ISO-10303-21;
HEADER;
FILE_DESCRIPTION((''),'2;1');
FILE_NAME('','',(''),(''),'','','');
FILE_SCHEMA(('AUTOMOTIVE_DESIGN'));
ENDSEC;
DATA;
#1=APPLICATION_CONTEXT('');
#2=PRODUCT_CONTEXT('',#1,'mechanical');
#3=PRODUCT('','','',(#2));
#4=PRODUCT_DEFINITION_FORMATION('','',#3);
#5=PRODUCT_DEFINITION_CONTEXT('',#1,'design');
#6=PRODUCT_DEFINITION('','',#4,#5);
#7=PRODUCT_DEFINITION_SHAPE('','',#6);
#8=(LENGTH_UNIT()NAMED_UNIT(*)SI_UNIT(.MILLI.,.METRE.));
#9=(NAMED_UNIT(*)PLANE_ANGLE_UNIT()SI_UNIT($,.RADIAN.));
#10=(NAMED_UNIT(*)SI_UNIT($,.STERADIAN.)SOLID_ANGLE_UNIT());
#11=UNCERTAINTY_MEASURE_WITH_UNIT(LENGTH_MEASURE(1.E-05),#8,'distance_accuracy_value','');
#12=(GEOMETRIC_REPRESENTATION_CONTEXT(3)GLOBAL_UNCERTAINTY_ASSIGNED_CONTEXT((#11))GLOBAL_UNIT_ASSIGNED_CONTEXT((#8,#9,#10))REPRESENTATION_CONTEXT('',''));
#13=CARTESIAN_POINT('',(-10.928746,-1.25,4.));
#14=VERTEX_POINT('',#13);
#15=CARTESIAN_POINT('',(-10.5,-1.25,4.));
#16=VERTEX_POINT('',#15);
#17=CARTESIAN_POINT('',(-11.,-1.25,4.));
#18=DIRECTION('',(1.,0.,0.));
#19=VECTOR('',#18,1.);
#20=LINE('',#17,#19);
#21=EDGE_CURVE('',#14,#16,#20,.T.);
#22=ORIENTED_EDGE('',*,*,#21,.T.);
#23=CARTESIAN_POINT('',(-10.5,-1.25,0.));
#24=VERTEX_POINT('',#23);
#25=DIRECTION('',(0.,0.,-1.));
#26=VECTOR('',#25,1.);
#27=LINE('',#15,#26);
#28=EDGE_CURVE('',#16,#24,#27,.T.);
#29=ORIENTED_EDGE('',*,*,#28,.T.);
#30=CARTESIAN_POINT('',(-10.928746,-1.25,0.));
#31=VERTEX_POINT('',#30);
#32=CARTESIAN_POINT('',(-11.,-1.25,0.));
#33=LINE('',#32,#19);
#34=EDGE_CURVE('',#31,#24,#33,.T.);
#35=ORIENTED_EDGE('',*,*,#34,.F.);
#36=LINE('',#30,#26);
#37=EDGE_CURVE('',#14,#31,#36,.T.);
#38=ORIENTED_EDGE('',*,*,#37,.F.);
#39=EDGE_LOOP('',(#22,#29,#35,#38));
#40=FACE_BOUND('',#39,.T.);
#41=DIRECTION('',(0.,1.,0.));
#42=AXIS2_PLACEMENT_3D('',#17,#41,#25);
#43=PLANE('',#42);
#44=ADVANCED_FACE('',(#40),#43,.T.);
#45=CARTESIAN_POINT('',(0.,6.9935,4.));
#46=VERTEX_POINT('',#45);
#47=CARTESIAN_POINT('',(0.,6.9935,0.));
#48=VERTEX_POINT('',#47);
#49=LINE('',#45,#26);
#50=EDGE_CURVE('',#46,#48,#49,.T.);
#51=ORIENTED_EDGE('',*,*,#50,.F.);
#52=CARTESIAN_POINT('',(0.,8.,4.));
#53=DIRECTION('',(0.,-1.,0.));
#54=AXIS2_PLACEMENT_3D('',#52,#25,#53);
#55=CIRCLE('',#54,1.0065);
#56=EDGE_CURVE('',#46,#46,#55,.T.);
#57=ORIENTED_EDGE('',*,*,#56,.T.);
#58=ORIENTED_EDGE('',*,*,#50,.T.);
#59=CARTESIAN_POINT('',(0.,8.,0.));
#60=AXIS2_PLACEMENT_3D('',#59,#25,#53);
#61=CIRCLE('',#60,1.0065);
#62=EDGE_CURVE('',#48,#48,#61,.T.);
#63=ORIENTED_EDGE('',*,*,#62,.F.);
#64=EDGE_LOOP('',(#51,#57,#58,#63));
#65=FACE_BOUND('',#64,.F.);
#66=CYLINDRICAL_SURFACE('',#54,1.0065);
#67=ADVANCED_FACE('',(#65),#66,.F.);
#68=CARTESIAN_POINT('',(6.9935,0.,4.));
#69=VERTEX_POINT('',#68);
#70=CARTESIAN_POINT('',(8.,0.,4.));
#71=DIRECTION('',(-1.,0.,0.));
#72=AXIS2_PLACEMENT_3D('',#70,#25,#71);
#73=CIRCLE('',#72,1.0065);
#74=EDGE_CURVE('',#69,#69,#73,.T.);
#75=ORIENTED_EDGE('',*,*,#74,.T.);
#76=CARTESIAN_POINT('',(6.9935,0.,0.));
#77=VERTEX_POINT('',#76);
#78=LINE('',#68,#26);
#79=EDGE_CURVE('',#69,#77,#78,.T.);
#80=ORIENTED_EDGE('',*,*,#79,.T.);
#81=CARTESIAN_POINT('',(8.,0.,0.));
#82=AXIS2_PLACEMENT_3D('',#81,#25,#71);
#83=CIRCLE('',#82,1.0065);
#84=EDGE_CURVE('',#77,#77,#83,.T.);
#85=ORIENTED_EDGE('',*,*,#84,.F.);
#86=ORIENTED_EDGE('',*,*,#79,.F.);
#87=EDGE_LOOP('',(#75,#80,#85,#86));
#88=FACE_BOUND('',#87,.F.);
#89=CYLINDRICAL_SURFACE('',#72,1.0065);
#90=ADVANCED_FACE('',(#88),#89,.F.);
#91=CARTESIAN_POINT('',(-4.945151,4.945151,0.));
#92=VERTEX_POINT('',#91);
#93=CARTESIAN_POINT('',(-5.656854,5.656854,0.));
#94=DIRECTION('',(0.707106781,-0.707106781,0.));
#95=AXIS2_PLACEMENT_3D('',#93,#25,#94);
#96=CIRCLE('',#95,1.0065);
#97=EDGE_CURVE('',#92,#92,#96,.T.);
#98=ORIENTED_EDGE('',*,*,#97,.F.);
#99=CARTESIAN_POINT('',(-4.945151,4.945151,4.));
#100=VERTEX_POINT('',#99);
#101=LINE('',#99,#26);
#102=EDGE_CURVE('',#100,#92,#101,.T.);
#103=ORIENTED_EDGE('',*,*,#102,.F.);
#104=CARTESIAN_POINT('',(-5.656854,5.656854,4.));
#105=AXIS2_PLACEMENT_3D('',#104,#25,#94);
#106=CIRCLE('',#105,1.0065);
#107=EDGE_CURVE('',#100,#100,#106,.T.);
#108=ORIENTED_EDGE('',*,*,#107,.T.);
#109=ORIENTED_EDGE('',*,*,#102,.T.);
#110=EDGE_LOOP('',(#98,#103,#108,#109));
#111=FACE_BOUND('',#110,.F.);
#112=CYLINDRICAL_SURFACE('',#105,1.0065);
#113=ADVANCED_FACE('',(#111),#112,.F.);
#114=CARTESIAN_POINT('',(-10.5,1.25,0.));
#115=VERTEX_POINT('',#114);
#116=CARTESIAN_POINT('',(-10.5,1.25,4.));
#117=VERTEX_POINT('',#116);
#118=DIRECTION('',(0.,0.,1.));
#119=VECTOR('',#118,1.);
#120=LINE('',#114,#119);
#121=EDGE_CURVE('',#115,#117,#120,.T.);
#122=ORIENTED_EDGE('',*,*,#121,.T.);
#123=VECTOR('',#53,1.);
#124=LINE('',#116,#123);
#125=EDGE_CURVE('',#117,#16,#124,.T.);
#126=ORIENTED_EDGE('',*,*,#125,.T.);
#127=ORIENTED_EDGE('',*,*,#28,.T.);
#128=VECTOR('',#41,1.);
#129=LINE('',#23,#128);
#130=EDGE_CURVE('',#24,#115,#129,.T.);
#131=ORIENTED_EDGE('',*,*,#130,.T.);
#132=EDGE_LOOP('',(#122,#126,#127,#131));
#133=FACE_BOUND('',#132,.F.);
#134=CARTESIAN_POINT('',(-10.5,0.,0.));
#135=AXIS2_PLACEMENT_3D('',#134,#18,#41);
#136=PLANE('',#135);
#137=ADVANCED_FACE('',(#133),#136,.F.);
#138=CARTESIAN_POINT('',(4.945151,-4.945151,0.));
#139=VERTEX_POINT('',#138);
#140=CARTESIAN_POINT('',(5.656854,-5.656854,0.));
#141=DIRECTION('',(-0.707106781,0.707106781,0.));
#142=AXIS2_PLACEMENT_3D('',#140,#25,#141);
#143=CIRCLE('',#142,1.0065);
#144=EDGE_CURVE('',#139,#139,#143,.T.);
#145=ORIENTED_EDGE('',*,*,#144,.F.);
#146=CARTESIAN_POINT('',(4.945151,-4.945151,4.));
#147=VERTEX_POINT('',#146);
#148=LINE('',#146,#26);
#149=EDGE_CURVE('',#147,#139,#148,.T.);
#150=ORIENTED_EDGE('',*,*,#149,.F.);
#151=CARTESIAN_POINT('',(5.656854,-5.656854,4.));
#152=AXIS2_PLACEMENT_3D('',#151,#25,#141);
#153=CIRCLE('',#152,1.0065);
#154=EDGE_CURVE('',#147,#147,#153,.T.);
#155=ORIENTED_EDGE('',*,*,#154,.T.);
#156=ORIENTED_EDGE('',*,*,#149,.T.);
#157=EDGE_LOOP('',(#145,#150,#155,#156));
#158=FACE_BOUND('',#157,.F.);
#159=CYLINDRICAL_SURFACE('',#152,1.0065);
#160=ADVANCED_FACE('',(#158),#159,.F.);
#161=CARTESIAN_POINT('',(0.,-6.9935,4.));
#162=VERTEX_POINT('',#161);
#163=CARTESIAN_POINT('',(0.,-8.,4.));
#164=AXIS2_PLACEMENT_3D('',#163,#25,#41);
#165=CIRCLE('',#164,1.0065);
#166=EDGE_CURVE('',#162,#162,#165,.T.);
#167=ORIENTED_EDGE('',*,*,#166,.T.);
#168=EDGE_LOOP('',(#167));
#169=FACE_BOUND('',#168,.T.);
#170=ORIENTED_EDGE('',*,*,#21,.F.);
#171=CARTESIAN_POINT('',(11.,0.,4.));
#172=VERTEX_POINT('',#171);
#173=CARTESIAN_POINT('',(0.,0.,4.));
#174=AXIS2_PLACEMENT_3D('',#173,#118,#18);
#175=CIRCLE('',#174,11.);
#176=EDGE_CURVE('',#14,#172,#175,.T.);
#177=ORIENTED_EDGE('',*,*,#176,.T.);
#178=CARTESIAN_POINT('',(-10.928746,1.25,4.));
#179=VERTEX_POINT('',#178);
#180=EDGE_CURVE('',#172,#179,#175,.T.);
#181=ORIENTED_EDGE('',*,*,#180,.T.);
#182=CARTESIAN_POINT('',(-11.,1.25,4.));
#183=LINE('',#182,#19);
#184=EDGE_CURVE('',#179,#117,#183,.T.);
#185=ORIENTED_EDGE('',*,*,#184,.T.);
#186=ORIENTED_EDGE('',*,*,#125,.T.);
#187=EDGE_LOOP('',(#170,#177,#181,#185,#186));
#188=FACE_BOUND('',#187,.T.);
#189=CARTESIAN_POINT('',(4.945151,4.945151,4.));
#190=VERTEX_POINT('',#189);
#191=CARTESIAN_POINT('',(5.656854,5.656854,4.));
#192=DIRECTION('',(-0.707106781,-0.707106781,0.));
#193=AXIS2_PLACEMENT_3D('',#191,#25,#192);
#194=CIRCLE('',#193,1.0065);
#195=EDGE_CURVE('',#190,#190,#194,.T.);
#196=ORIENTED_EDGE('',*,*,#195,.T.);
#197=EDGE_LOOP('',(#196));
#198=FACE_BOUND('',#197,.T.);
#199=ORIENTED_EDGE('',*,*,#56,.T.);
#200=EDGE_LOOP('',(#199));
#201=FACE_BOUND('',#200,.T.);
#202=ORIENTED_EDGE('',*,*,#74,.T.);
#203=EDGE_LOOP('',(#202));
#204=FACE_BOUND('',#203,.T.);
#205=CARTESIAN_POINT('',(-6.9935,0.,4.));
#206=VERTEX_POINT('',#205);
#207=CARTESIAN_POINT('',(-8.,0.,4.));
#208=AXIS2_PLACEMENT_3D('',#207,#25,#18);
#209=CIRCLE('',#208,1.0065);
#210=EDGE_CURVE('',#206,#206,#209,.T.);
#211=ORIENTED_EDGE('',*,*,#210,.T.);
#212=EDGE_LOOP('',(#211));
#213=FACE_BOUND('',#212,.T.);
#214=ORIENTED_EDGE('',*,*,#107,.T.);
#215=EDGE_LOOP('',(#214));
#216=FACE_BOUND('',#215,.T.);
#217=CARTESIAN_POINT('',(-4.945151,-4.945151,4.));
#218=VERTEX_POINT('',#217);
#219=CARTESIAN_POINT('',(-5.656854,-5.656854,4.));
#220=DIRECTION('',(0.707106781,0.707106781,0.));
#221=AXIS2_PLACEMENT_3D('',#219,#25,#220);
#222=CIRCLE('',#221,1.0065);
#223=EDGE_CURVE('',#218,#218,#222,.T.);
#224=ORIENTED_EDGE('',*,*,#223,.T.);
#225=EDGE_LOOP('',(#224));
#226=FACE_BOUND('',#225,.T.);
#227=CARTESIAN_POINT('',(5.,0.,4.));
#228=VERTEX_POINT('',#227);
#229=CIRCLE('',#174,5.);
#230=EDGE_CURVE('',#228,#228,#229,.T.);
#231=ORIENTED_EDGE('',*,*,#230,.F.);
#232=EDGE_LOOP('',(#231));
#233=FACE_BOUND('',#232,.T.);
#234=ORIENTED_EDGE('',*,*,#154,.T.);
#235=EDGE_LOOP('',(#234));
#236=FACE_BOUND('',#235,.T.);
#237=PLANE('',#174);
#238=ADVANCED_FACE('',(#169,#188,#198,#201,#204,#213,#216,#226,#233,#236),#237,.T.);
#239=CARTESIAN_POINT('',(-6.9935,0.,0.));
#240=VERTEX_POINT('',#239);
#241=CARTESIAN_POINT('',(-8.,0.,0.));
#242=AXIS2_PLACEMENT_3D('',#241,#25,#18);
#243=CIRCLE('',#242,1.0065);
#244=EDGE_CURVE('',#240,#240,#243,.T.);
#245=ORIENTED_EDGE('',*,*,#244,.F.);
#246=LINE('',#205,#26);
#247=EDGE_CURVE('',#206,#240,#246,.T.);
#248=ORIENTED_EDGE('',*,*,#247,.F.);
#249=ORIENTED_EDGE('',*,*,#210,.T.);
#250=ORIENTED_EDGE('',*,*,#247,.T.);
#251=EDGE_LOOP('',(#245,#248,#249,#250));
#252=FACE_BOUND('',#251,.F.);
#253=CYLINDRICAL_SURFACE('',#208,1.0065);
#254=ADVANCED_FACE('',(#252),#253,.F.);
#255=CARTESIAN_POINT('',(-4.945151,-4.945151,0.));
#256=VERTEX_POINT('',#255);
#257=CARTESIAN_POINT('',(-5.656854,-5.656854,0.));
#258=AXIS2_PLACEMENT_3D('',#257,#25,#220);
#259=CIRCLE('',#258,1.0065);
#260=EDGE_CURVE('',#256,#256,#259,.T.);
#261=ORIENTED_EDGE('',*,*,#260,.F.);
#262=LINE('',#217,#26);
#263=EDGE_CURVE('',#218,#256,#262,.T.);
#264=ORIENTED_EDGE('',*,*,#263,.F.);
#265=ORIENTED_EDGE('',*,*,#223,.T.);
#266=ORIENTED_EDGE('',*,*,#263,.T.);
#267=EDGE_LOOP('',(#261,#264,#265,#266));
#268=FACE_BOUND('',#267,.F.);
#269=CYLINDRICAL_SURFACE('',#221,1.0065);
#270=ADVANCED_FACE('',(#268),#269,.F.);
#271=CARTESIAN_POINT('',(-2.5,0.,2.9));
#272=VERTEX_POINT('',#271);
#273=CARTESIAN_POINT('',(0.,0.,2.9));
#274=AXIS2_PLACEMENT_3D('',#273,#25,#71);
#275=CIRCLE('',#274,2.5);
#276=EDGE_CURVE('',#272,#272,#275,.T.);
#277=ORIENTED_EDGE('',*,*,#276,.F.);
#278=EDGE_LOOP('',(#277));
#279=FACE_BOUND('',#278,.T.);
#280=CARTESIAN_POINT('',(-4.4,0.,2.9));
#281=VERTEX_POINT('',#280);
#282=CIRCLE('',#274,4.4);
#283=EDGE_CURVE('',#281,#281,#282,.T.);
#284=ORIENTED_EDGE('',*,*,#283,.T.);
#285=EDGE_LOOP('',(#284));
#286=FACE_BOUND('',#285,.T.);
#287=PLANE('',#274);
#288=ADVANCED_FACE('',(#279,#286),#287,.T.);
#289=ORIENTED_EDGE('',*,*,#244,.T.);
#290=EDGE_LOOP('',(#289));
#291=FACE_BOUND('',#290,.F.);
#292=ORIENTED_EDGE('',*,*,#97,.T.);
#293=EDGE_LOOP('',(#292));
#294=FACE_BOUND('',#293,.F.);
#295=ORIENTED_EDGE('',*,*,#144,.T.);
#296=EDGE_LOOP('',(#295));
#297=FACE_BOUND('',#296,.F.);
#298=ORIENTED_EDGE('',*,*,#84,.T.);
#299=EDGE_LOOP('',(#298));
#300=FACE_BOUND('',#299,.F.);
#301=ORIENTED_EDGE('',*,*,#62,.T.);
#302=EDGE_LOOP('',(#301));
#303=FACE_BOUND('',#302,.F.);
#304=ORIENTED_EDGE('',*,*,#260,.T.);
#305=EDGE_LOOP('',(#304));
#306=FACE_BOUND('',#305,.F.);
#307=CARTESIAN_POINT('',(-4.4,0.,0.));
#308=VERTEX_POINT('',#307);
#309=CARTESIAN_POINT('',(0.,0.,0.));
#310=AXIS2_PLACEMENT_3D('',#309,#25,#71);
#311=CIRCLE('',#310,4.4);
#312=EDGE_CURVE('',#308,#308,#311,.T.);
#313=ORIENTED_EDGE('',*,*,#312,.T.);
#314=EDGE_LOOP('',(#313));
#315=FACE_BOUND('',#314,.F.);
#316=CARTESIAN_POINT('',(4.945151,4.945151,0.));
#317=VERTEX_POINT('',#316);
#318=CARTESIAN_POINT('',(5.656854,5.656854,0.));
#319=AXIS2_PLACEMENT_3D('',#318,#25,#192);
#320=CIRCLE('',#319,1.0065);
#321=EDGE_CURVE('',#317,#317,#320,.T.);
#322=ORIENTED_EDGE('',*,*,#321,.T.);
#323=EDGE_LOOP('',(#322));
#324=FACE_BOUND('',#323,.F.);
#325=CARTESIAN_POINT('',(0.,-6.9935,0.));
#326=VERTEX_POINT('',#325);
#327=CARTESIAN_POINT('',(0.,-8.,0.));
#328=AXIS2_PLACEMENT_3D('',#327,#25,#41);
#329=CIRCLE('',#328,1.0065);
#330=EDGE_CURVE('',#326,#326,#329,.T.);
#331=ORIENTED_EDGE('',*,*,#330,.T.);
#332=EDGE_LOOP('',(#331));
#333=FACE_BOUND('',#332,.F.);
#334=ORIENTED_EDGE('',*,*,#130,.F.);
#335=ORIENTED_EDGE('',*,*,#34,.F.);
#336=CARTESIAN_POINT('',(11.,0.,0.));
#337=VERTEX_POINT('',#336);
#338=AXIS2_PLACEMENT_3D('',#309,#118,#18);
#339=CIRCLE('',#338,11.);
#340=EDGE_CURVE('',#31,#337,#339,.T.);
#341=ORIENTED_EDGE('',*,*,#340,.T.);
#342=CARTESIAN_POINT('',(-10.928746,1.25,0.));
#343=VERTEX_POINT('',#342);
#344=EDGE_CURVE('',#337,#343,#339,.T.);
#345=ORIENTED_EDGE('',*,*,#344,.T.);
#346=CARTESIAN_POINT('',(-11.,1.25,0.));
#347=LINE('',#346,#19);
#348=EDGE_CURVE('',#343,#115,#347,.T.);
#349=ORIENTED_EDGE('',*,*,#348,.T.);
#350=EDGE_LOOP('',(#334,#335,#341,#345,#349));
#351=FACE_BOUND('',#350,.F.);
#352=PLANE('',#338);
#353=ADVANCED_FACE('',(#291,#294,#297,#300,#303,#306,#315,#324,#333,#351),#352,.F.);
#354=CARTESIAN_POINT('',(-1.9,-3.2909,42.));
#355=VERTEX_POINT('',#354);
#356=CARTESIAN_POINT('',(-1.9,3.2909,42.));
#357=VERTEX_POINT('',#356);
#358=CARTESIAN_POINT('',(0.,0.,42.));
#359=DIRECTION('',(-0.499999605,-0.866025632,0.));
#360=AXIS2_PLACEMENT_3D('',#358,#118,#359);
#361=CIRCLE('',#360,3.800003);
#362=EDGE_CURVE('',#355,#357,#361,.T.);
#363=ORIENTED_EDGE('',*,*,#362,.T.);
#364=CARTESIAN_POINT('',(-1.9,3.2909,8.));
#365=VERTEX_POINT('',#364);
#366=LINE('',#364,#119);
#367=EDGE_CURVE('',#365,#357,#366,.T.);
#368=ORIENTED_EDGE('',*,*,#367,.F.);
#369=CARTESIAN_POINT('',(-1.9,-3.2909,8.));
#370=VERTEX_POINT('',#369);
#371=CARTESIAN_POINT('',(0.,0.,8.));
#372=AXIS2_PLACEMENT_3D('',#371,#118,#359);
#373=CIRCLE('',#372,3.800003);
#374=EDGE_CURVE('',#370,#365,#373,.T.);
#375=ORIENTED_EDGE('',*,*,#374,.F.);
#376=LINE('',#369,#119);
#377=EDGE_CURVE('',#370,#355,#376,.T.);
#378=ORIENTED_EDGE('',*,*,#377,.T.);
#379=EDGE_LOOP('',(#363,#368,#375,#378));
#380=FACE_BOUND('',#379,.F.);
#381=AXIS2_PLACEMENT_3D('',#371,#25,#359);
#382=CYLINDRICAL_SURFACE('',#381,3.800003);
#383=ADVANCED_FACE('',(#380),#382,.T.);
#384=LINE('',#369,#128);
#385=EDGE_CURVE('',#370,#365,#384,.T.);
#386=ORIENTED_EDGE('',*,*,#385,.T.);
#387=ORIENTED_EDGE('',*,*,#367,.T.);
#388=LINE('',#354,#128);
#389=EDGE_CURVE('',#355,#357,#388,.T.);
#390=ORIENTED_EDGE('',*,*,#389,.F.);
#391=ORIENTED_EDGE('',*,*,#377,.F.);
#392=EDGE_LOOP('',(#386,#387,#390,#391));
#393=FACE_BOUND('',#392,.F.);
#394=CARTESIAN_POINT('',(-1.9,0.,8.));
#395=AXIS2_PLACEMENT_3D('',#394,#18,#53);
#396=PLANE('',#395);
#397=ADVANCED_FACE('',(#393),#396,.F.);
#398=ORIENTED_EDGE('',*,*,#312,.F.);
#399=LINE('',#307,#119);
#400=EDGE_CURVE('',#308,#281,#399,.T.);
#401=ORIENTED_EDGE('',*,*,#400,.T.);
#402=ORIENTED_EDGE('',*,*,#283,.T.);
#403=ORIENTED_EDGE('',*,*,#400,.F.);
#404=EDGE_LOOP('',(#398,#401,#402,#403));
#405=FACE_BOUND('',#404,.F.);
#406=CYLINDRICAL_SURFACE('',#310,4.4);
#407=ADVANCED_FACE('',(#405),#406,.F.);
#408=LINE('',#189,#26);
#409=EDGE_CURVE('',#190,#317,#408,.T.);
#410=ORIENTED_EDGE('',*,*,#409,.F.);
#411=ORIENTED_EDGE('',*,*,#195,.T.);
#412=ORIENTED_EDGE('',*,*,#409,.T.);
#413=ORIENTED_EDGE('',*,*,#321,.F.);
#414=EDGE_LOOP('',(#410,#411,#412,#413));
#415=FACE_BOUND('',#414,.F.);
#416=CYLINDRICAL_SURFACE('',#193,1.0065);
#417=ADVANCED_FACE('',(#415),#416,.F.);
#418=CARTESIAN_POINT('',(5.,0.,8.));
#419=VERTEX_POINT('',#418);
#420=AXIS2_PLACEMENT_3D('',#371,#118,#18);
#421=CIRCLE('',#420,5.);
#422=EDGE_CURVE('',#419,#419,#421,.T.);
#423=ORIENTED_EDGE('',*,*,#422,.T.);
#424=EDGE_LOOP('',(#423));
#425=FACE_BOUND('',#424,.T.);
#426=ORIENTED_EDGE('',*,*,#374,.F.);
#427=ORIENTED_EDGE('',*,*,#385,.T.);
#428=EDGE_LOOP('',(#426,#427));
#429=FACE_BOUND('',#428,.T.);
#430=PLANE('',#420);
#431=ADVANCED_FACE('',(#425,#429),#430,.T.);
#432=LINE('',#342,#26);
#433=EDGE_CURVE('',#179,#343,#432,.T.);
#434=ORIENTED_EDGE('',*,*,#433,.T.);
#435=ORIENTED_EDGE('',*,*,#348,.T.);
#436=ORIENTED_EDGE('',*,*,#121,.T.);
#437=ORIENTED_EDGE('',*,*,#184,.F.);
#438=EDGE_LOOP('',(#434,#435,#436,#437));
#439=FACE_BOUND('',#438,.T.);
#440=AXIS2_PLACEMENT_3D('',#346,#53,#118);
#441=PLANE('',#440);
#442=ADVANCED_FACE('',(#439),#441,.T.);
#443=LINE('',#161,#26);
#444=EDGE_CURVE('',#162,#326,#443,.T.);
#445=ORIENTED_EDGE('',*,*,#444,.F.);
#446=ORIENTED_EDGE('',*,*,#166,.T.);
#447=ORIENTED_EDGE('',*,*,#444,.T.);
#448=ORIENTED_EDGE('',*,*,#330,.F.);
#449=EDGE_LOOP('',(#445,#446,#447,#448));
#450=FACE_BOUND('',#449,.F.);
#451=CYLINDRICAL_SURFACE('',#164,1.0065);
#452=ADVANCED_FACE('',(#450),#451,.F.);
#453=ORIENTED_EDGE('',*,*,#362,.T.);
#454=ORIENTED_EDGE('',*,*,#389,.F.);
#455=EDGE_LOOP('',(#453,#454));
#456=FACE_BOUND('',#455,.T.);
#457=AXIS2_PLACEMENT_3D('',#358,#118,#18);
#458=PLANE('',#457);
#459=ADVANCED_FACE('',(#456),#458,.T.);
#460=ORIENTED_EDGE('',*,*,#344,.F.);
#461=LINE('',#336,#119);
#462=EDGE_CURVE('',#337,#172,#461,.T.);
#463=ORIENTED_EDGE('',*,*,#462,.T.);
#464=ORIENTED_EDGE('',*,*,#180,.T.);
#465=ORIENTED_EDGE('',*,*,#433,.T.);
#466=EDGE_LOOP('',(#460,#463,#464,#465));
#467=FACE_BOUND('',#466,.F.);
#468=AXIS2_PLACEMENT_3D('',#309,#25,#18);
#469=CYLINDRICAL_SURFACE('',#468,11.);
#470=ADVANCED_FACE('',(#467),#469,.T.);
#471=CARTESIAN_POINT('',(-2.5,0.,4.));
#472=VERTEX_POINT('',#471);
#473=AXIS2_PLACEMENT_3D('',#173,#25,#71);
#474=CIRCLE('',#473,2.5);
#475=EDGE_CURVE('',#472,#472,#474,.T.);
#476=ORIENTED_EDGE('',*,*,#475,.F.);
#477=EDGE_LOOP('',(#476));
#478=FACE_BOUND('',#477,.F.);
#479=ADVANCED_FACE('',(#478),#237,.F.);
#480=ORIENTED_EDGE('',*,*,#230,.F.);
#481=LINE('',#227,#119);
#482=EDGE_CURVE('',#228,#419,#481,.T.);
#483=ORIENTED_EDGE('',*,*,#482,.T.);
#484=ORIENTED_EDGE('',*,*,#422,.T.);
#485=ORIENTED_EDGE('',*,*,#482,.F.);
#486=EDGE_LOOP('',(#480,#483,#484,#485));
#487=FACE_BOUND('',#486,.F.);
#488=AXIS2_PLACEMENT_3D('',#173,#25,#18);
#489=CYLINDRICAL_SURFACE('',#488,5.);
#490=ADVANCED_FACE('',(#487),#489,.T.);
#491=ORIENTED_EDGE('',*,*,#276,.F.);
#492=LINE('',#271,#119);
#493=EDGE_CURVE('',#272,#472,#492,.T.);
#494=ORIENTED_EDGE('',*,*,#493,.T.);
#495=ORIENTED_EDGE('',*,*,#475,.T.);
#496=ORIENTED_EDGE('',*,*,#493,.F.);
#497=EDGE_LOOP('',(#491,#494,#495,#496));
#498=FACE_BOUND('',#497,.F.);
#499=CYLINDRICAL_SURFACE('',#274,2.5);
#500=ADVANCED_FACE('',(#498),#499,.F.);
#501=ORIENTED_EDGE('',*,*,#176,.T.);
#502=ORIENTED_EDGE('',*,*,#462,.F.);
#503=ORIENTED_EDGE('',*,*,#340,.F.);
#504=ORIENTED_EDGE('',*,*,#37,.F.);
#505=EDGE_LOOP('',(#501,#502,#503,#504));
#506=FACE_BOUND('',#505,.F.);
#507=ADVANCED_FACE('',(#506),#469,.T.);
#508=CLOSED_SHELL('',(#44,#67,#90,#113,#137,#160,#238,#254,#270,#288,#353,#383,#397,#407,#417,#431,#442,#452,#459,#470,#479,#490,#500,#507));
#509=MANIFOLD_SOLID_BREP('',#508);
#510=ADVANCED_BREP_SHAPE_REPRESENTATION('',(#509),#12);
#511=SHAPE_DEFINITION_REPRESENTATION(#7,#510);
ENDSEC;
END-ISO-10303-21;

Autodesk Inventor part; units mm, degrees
ref_plane "XY Plane" through (0, 0, 0) normal (0, 0, 1) x (1, 0, 0)
sketch "Boceto1" plane through (0, 0, 0) normal (0, 0, 1) x (1, 0, 0)
  circle A0 centre (0, 0) radius 11
  dimension "d0" = 22
extrude "Extrusión1" add sketch "Boceto1" along normal blind 4
sketch "Boceto2" plane through (0, 0, 4) normal (0, 0, 1) x (1, 0, 0)
  line L0 (0, 0) -> (0, 8)
  circle A0 centre (0, 8) radius 1
  dimension "d3" = 8
  dimension "d4" = 2
hole "Agujero1" at (0, 8, 4) direction (0, 0, -1) diameter 2.013 end through all thread size "M2.5x0.45" class "6H" standard "ISO Metric profile"
pattern_circular "Patrón circular1" count 8 over 360 about axis through (0, 0, 0) along (0, 0, 1) of "Agujero1"
sketch "Boceto3" plane through (0, 0, 0) normal (0, 0, -1) x (-1, 0, 0)
  circle A0 centre (0, 0) radius 4.4
  dimension "d15" = 8.8
extrude "Extrusión2" cut sketch "Boceto3" against normal blind 2.9
sketch "Boceto4" plane through (0, 0, 2.9) normal (0, 0, -1) x (-1, 0, 0)
  circle A0 centre (0, 0) radius 2.5
  dimension "d18" = 5
extrude "Extrusión3" cut sketch "Boceto4" against normal blind 2.6
sketch "Boceto5" plane through (0, 0, 4) normal (0, 0, 1) x (1, 0, 0)
  circle A0 centre (0, 0) radius 5
  dimension "d21" = 10
extrude "Extrusión4" add sketch "Boceto5" along normal blind 4
sketch "Boceto6" plane through (0, 0, 8) normal (0, 0, 1) x (1, 0, 0)
  arc A0 (-1.9, -3.2909) -> (-1.9, 3.2909) centre (0, 0) ccw
  line L0 (0, 0) -> (-1.9, 0)
  line L1 (-1.9, 0) -> (-1.9, 3.2909)
  line L2 (-1.9, 0) -> (-1.9, -3.2909)
  dimension "DiametroEje" = 7.6
  dimension "d26" = 1.9
extrude "Extrusión5" add sketch "Boceto6" along normal blind 34
ref_plane "Plano de trabajo1" through (0, 11, 0) normal (0, 1, 0) x (-1, 0, 0)
ref_plane "Plano de trabajo2" through (-11, 0, 0) normal (1, 0, 0) x (0, 1, 0)
sketch "Boceto8" plane through (-11, 0, 0) normal (1, 0, 0) x (0, 1, 0)
  line L0 (-1.25, 0) -> (1.25, 0)
  line L1 (1.25, 0) -> (1.25, 4)
  line L2 (1.25, 4) -> (-1.25, 4)
  line L3 (-1.25, 4) -> (-1.25, 0)
  line L4 (-1.25, 0) -> (1.25, 4) construction
  line L5 (1.25, 0) -> (-1.25, 4) construction
  point P0 (0, 0)
  point P1 (0, 2)
  dimension "d33" = 2.5
  dimension "d34" = 4
extrude "Extrusión7" cut sketch "Boceto8" along normal blind 0.5
equation "\"d26\" = 0.25 * DiametroEje"
properties part number "BM-MX28" material "PETG"
